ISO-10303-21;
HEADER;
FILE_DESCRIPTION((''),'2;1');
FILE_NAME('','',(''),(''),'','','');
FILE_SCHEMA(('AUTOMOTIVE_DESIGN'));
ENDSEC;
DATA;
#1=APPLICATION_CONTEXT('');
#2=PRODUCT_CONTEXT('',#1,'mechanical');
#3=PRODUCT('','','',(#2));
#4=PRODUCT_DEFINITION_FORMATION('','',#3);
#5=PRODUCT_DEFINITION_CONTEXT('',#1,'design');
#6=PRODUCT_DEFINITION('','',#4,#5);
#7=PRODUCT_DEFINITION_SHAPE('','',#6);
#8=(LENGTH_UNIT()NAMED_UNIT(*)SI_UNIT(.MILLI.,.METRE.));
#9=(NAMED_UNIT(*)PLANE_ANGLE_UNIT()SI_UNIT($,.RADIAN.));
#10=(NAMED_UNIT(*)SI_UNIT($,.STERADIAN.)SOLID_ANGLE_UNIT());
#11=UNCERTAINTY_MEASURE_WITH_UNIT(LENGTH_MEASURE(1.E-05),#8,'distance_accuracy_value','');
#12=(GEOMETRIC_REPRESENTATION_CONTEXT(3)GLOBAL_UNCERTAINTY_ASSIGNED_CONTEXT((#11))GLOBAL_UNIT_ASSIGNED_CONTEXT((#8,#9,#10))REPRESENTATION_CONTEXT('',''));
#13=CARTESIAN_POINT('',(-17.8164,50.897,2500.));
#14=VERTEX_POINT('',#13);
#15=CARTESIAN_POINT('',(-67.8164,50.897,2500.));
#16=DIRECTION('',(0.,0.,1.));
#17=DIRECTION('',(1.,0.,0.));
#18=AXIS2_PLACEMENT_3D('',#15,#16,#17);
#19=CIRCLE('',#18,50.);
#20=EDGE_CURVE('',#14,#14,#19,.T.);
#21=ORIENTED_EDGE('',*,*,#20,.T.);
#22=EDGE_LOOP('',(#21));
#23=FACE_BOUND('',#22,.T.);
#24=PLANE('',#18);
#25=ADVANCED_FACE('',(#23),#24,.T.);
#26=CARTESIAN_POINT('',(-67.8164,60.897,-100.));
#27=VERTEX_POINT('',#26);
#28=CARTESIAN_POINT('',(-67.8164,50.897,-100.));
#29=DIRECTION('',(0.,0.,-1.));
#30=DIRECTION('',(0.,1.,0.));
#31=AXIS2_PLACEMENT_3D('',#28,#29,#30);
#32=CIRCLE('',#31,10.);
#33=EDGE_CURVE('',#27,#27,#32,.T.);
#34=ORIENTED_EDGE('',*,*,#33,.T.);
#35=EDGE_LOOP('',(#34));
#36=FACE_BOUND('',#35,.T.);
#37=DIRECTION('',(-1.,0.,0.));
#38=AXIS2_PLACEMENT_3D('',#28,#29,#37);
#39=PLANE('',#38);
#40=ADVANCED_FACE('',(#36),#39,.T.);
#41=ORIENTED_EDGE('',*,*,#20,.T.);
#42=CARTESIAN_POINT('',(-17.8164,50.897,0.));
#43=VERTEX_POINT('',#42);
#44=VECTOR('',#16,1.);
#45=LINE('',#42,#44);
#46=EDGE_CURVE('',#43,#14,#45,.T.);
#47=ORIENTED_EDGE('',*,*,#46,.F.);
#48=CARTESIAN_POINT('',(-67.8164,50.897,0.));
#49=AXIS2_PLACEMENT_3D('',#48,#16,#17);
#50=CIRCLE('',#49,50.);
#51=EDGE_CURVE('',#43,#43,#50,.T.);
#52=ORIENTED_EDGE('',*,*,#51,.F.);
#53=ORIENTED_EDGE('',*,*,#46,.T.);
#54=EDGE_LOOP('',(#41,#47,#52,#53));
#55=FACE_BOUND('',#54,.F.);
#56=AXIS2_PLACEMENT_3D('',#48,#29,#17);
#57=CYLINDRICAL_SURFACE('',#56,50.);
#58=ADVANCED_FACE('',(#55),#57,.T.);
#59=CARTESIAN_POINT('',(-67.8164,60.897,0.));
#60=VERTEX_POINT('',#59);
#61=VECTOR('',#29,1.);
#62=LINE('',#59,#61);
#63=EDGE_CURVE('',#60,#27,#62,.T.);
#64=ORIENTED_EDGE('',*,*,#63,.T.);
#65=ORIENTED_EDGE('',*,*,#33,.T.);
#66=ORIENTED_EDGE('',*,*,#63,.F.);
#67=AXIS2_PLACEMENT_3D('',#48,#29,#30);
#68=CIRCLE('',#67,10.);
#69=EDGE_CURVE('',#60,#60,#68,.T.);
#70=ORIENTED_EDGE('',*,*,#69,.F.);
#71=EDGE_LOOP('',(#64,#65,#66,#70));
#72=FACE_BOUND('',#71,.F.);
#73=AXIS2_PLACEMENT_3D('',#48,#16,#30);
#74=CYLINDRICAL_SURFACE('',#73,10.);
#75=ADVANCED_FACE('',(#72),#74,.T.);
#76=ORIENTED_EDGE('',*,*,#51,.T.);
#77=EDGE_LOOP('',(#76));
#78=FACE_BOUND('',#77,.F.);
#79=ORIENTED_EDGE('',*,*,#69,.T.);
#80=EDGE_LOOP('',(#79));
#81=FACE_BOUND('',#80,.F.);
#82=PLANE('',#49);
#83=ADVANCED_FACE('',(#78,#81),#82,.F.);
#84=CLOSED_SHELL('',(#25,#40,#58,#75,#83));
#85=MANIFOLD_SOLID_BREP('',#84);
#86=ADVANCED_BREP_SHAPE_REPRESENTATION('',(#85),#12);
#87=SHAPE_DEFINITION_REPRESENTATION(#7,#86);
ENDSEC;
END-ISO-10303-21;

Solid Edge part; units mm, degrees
sketch "Sketch1" plane through (0, 0, 0) normal (0, 0, 1) x (1, 0, 0)
  circle A0 centre (-67.8164, 50.897) radius 50
extrude "Protrusion1" add sketch "Sketch1" along normal blind 2500
sketch "Sketch2" plane through (-67.8164, 50.897, 0) normal (0, 0, -1) x (0, 1, 0)
  circle A0 centre (0, 0) radius 10
extrude "ExtrudedProtrusion_2" add sketch "Sketch2" along normal blind 100
